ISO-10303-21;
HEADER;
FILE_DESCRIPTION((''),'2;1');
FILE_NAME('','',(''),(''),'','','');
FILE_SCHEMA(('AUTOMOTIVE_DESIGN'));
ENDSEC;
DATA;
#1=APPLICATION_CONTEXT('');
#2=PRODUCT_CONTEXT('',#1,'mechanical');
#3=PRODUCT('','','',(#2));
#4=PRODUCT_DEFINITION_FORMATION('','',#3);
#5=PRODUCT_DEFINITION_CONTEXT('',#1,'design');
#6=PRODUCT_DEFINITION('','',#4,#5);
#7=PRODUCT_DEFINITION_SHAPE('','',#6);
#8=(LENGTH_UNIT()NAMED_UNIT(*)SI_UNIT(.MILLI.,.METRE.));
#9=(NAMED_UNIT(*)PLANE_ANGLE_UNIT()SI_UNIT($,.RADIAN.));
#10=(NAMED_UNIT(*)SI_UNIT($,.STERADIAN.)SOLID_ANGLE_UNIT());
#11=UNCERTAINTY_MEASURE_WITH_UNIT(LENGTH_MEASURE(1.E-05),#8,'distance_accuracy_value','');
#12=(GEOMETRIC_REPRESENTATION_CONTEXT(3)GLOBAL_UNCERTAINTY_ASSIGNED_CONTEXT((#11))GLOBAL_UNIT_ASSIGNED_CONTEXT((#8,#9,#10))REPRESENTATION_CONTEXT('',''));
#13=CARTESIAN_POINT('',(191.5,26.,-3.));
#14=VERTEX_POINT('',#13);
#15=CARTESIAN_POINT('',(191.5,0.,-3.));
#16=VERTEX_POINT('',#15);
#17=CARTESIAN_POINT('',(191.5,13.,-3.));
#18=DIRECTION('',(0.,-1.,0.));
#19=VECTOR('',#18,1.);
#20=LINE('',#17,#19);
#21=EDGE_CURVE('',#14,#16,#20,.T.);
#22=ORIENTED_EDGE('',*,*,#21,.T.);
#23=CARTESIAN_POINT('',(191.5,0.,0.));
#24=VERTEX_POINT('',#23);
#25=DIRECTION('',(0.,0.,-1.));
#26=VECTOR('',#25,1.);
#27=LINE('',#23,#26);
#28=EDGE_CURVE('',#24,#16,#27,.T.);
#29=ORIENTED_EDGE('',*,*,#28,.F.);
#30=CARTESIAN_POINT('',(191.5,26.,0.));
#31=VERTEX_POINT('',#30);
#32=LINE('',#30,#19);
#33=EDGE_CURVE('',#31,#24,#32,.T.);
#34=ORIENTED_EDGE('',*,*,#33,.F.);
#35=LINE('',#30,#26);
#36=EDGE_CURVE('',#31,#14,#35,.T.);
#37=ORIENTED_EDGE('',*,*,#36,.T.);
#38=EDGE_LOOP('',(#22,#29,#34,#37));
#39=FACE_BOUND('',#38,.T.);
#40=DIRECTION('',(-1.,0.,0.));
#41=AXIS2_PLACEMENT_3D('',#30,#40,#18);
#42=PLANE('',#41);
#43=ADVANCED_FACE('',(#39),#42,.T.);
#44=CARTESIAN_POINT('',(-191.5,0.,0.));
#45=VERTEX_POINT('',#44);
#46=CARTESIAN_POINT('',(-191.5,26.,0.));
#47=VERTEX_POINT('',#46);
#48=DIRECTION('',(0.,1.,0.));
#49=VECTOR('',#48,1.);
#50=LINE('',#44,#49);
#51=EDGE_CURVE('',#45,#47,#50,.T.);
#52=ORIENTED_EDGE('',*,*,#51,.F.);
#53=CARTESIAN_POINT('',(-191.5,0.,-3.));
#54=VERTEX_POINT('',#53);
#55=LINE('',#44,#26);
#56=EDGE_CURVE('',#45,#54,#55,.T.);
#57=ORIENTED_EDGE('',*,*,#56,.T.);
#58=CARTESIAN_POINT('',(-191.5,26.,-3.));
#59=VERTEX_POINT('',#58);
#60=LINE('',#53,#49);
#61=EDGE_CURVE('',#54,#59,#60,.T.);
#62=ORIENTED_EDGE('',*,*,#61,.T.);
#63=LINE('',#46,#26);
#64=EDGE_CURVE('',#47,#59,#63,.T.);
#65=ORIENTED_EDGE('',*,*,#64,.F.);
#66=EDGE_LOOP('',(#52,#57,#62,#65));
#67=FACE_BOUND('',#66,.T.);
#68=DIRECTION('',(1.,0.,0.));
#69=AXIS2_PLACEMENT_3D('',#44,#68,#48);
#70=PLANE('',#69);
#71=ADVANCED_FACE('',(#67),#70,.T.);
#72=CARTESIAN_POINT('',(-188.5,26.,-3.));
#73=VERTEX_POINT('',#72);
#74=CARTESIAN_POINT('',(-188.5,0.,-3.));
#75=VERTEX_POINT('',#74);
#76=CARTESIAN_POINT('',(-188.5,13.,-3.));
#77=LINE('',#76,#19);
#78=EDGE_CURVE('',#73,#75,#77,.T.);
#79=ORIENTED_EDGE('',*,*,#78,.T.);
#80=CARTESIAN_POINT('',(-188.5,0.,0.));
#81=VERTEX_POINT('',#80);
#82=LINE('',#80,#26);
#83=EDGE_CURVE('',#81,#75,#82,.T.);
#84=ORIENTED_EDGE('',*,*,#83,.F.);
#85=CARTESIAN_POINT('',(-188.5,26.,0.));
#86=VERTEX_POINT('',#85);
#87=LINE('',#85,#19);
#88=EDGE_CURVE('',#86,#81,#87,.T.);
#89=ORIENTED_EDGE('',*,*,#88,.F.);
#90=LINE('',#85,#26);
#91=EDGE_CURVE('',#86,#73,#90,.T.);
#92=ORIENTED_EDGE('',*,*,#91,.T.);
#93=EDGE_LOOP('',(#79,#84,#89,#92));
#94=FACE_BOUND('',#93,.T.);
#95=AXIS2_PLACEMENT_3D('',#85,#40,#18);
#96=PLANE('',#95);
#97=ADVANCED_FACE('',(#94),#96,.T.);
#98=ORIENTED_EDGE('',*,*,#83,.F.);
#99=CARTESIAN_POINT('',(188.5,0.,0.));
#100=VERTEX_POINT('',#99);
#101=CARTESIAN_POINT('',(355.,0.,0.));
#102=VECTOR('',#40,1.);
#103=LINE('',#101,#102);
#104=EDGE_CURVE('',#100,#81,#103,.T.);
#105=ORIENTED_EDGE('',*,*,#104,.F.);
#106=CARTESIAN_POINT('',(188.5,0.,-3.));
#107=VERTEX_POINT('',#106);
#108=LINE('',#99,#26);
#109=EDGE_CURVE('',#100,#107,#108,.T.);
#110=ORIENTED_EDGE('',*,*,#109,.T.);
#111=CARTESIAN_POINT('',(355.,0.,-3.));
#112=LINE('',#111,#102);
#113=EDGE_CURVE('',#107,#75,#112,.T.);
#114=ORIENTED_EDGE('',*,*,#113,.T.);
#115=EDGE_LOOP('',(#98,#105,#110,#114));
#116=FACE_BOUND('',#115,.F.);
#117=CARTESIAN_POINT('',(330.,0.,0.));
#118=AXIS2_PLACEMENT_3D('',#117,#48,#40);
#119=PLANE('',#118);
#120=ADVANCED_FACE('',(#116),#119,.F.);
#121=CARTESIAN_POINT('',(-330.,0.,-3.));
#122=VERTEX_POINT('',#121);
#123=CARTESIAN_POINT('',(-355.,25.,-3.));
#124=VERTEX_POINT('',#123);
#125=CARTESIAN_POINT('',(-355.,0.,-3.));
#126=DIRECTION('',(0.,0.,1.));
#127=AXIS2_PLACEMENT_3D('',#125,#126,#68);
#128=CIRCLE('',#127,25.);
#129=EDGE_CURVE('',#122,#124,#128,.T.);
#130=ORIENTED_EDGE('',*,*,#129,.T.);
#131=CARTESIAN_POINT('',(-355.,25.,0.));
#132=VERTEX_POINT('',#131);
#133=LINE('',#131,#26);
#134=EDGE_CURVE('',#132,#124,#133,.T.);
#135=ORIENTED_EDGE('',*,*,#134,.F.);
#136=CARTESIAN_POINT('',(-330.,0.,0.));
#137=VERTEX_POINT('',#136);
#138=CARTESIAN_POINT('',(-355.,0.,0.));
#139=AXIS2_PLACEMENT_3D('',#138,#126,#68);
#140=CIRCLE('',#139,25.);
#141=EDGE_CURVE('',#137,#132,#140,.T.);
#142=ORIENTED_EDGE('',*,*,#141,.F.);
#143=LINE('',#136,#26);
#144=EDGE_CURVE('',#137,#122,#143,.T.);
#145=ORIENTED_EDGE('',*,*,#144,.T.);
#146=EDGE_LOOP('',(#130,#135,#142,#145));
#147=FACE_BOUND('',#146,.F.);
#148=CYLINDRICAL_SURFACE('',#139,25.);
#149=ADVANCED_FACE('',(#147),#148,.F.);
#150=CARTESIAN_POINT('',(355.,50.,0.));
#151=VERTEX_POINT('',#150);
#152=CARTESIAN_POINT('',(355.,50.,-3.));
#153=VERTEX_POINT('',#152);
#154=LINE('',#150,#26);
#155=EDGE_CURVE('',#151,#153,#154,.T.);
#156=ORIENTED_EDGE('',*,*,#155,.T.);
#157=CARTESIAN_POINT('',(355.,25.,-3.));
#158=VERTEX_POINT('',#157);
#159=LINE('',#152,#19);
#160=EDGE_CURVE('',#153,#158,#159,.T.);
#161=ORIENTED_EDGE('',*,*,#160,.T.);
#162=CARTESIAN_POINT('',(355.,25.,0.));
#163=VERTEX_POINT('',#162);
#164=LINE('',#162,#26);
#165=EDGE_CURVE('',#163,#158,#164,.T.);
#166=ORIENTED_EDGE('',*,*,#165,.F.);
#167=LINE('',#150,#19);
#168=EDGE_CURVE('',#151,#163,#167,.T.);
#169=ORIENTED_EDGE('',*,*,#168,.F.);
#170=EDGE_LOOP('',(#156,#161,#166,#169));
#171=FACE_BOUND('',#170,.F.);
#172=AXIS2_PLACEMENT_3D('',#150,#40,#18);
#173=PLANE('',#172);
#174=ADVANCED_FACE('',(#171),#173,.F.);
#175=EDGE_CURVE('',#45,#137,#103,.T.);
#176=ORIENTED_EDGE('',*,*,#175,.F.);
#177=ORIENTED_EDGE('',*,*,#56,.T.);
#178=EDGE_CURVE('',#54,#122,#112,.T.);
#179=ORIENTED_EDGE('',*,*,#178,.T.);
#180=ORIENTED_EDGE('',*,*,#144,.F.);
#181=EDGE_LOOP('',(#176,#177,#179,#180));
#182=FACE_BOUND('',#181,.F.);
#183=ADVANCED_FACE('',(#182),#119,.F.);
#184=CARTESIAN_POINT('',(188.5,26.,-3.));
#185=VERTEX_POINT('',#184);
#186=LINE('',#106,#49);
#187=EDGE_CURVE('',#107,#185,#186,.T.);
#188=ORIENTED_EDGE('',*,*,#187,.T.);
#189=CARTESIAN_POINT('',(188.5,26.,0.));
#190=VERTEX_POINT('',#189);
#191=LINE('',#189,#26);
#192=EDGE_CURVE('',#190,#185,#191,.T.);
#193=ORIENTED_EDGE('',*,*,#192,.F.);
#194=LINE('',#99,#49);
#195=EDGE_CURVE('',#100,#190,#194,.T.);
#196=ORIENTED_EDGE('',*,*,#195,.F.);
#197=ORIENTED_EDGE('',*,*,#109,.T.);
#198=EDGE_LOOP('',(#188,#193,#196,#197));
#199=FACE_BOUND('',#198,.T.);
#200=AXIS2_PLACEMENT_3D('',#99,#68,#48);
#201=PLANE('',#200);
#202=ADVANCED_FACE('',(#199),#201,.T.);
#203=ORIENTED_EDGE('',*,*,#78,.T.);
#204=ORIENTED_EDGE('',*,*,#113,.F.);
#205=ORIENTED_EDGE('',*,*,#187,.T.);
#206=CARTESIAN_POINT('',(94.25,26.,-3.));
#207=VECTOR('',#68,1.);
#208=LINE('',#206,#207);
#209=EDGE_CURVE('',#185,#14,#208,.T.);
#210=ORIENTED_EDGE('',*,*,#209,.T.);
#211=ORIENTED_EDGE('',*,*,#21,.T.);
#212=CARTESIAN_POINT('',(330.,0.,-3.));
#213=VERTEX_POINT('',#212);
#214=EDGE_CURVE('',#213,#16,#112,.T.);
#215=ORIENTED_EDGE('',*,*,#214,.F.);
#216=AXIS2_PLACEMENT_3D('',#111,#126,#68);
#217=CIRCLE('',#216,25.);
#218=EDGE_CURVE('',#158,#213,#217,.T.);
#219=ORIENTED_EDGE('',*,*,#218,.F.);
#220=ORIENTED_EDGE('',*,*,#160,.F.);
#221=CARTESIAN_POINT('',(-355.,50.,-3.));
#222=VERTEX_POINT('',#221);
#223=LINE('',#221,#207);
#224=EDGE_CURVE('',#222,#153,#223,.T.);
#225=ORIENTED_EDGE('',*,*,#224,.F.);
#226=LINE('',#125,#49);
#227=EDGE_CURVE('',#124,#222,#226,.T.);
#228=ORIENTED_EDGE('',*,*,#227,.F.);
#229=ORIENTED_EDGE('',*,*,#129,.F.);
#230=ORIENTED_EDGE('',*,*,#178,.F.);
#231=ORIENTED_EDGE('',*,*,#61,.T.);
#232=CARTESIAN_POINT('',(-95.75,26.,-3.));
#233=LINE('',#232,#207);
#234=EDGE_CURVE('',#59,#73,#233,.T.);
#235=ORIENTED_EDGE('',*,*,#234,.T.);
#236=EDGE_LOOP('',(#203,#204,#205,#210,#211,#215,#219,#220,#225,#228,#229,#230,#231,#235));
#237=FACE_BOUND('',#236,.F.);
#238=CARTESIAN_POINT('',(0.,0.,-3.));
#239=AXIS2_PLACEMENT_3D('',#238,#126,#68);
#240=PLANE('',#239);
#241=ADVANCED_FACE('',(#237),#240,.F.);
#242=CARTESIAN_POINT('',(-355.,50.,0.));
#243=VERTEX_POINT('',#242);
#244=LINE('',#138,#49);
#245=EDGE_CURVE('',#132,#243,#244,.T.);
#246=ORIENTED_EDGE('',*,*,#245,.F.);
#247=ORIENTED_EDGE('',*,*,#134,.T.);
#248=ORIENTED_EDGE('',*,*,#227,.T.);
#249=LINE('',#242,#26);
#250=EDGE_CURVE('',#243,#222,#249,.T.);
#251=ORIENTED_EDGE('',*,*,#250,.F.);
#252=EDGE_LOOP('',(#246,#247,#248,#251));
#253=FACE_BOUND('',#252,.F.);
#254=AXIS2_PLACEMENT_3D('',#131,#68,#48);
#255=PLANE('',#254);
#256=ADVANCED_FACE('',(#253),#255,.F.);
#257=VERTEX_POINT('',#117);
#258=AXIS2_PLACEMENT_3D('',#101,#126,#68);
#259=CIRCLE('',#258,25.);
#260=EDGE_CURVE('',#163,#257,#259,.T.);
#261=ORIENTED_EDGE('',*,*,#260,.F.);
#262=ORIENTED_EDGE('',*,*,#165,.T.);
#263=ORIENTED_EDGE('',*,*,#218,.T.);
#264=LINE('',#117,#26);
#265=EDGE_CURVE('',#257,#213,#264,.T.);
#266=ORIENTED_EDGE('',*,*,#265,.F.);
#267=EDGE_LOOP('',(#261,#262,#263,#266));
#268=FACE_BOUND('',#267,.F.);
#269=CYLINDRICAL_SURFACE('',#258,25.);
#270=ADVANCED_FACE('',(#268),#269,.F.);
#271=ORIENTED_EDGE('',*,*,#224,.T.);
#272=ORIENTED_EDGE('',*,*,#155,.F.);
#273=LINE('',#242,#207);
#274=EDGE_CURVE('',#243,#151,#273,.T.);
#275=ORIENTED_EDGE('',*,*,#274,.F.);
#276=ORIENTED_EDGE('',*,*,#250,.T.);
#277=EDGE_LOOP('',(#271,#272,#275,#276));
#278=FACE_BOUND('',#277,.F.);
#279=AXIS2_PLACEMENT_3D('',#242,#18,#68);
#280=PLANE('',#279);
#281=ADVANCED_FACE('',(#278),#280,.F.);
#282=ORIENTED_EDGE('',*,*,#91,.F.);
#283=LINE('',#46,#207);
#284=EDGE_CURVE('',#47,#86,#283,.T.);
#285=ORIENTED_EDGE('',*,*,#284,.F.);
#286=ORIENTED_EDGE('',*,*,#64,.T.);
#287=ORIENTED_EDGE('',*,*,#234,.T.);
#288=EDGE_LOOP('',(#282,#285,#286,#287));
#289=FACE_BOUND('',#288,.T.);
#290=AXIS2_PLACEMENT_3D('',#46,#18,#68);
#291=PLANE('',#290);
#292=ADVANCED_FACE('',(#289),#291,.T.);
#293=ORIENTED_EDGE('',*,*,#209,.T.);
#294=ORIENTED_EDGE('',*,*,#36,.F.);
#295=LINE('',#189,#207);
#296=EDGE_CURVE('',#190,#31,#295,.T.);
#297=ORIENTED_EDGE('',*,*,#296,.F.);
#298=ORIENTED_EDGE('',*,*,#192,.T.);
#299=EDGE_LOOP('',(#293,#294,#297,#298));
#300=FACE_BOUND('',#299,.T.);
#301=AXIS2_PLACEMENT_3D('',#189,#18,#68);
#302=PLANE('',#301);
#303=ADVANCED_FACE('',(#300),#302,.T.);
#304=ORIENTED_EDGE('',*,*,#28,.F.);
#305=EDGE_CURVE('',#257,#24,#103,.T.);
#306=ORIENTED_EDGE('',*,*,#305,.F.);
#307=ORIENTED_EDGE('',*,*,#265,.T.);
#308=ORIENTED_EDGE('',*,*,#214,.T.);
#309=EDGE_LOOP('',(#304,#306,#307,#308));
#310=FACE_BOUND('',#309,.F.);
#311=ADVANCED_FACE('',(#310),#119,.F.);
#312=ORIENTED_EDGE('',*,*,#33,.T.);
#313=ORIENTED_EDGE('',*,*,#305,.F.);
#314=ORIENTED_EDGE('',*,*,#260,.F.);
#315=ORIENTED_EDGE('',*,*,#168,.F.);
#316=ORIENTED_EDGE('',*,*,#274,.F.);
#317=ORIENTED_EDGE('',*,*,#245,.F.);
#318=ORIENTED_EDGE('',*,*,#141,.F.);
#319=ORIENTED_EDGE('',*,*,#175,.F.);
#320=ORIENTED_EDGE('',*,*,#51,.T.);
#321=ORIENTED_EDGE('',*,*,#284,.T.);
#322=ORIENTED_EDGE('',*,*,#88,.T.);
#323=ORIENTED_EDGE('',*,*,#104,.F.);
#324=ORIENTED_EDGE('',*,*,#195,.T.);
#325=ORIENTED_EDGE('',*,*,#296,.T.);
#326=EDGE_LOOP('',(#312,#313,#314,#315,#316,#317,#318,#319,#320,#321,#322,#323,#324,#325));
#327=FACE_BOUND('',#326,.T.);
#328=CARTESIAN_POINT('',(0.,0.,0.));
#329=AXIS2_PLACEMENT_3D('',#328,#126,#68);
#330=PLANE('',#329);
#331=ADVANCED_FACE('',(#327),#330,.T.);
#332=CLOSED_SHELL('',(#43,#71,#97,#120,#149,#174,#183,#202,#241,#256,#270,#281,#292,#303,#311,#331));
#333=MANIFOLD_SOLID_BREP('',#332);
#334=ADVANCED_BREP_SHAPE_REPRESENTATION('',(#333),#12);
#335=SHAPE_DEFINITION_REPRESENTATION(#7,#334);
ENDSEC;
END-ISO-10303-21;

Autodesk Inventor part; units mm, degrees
ref_plane "YZ Plane" through (0, 0, 0) normal (1, 0, 0) x (0, 1, 0)
ref_plane "XZ Plane" through (0, 0, 0) normal (0, 1, 0) x (-1, 0, 0)
ref_plane "XY Plane" through (0, 0, 0) normal (0, 0, 1) x (1, 0, 0)
sketch "Sketch1" plane through (0, 0, 0) normal (0, 0, 1) x (1, 0, 0)
  line L0 (-355, 50) -> (355, 50)
  line L1 (355, 50) -> (355, 0)
  line L2 (355, 0) -> (-355, 0)
  line L3 (-355, 0) -> (-355, 50)
  circle A0 centre (-355, 0) radius 25
  circle A1 centre (355, 0) radius 25
  point P0 (0, 0)
  point P1 (0, 0)
  point P2 (-355, 25)
  point P3 (-330, 0)
  point P4 (330, 0)
  point P5 (355, 25)
  dimension "d16" = 50
  dimension "d17" = 710
  dimension "d18" = 50
  dimension "d19" = 50
extrude "Plate2" add sketch "Sketch1" against normal blind 3 contours L0 L1 A1 L2 A0 L3
sketch "Sketch2" plane through (0, 0, 0) normal (0, 0, 1) x (1, 0, 0)
  line L0 (355, 50) -> (-355, 50) projected
  line L1 (190, 50) -> (190, 0) construction
  line L2 (-330, 0) -> (330, 0) projected
  line L3 (188.5, 26) -> (191.5, 26)
  line L4 (191.5, 26) -> (191.5, 0)
  line L5 (191.5, 0) -> (188.5, 0)
  line L6 (188.5, 0) -> (188.5, 26)
  line L7 (-190, 0) -> (-190, 50) construction
  line L8 (-191.5, 26) -> (-188.5, 26)
  line L9 (-188.5, 26) -> (-188.5, 0)
  line L10 (-188.5, 0) -> (-191.5, 0)
  line L11 (-191.5, 0) -> (-191.5, 26)
  point P0 (0, 0)
  point P1 (0, 0)
  point P2 (188.5, 0)
  point P3 (191.5, 0)
  point P4 (0, 0)
  dimension "d21" = 190
  dimension "d22" = 3
  dimension "d23" = 26
  dimension "d26" = 190
  dimension "d27" = 26
  dimension "d28" = 3
extrude "Extrusion1" cut sketch "Sketch2" against normal blind 10
equation "\"d22\" = Thickness"
equation "\"d26\" = d21"
equation "\"d27\" = d23"
equation "\"d28\" = Thickness"
equation "\"d20\" = Thickness"
equation "\"BendReliefWidth\" = Thickness"
equation "\"BendReliefDepth\" = 0.5 * Thickness"
equation "\"CornerReliefSize\" = 4 * Thickness"
equation "\"MinimumRemnant\" = 2 * Thickness"
equation "\"TransitionRadius\" = BendRadius"
equation "\"JacobiRadiusSize\" = BendRadius"
equation "\"GapSize\" = Thickness"
equation "\"Thickness\" = 3"
equation "\"BendRadius\" = 5"
properties part number "MSC 0564 rib cone" material "Stainless Steel"
